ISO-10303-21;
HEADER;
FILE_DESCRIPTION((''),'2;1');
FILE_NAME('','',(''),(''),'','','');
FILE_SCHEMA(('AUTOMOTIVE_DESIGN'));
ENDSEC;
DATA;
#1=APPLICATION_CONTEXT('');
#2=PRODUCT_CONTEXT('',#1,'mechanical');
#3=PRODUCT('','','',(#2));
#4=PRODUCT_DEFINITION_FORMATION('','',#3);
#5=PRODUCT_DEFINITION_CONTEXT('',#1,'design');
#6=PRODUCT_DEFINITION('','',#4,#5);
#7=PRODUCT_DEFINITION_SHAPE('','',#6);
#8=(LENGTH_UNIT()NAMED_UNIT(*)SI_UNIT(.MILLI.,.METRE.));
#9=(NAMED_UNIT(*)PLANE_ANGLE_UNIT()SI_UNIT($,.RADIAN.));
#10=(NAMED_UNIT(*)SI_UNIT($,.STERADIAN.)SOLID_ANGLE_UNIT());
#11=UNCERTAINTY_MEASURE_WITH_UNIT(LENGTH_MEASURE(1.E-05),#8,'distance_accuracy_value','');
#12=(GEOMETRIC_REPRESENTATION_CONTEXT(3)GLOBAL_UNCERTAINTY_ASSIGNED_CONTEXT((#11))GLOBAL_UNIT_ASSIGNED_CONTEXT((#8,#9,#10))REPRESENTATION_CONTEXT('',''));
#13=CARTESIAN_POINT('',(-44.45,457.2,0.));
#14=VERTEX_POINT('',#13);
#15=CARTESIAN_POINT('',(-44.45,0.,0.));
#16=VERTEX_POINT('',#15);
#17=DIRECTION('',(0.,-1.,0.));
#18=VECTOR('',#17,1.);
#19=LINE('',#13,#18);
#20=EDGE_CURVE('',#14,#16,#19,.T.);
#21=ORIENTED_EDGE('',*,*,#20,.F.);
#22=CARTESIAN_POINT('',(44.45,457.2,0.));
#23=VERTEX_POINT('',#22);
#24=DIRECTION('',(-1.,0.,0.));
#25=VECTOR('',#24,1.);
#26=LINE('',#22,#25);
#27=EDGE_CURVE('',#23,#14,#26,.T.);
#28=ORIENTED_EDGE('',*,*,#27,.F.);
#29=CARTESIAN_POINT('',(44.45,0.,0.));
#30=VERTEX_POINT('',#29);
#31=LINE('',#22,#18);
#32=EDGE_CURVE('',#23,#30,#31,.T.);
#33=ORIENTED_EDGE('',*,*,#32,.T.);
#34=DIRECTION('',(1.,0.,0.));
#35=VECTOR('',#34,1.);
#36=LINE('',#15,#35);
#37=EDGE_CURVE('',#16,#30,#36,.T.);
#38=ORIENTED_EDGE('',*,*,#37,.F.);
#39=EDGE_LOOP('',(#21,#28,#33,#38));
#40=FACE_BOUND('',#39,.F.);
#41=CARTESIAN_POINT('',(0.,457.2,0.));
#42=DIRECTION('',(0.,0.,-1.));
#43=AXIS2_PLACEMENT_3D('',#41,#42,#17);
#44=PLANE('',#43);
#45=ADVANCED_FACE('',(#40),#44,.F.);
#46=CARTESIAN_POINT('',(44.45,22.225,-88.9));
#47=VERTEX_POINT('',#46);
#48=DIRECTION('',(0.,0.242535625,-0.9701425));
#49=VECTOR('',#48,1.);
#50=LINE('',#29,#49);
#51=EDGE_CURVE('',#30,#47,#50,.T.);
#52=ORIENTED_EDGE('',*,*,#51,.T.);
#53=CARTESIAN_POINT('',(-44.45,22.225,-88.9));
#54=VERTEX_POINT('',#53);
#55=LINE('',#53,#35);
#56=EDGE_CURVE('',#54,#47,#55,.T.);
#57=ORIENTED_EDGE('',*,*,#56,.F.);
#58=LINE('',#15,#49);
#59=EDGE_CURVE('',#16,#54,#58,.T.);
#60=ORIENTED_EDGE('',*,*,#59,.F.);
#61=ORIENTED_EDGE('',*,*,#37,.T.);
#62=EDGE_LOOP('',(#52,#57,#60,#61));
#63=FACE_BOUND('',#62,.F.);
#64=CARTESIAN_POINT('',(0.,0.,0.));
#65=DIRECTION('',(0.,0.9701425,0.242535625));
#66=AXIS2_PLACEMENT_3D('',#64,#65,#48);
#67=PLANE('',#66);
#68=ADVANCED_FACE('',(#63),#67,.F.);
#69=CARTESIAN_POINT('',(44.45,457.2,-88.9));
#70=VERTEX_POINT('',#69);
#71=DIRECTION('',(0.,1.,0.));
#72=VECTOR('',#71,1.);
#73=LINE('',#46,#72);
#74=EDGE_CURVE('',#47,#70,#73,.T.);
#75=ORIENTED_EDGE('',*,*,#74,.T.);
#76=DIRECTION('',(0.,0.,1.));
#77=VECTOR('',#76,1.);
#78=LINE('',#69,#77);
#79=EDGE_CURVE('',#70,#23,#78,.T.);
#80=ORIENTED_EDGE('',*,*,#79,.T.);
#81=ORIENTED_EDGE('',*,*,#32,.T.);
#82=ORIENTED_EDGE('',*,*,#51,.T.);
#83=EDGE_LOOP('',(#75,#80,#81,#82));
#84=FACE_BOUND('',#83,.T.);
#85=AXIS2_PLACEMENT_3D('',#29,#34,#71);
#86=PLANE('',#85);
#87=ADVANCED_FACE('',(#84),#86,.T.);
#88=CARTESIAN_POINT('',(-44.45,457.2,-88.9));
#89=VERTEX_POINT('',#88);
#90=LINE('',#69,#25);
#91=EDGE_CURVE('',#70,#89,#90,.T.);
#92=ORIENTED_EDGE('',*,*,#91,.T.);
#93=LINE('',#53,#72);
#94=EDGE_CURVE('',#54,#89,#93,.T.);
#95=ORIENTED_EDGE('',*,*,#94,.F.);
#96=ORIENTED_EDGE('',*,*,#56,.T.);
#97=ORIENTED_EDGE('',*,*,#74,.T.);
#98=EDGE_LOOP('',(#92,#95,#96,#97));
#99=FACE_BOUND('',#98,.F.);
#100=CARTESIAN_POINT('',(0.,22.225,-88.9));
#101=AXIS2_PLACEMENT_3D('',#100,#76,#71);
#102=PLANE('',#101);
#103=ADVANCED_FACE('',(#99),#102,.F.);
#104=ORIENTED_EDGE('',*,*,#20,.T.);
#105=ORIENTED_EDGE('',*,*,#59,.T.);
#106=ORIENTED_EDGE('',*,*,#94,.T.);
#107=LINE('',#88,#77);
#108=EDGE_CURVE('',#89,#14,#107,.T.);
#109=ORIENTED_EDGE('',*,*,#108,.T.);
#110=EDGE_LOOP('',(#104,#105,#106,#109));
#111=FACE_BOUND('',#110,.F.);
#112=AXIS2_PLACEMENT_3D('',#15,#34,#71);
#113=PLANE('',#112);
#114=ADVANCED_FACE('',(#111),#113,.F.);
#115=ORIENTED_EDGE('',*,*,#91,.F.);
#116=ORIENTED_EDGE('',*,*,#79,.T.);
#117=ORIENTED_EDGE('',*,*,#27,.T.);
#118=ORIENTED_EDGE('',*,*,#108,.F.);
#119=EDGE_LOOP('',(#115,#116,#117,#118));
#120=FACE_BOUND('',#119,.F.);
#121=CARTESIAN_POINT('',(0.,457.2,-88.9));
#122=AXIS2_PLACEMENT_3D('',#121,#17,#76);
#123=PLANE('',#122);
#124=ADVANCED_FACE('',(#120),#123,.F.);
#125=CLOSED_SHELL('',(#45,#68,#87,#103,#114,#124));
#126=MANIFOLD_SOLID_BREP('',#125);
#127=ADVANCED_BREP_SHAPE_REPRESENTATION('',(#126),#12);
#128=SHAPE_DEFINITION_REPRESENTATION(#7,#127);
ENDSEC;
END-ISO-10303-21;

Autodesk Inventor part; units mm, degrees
ref_plane "YZ Plane" through (0, 0, 0) normal (1, 0, 0) x (0, 1, 0)
ref_plane "XZ Plane" through (0, 0, 0) normal (0, 1, 0) x (-1, 0, 0)
ref_plane "XY Plane" through (0, 0, 0) normal (0, 0, 1) x (1, 0, 0)
sketch "Sketch1" plane through (0, 0, 0) normal (1, 0, 0) x (0, 1, 0)
  line L0 (0, 0) -> (22.225, -88.9)
  line L1 (22.225, -88.9) -> (457.2, -88.9)
  line L2 (457.2, -88.9) -> (457.2, 0)
  line L3 (457.2, 0) -> (0, 0)
  line L4 (0, 0) -> (0, -88.9) construction
  dimension "width" = 88.9
  dimension "roofAngle" = 14.036
  dimension "height" = 457.2
extrude "Extrusion1" add sketch "Sketch1" along normal mid plane 88.9
equation "\"d3\" = width"
properties part number "4x4x18-post" material "Wood (Birch)"
